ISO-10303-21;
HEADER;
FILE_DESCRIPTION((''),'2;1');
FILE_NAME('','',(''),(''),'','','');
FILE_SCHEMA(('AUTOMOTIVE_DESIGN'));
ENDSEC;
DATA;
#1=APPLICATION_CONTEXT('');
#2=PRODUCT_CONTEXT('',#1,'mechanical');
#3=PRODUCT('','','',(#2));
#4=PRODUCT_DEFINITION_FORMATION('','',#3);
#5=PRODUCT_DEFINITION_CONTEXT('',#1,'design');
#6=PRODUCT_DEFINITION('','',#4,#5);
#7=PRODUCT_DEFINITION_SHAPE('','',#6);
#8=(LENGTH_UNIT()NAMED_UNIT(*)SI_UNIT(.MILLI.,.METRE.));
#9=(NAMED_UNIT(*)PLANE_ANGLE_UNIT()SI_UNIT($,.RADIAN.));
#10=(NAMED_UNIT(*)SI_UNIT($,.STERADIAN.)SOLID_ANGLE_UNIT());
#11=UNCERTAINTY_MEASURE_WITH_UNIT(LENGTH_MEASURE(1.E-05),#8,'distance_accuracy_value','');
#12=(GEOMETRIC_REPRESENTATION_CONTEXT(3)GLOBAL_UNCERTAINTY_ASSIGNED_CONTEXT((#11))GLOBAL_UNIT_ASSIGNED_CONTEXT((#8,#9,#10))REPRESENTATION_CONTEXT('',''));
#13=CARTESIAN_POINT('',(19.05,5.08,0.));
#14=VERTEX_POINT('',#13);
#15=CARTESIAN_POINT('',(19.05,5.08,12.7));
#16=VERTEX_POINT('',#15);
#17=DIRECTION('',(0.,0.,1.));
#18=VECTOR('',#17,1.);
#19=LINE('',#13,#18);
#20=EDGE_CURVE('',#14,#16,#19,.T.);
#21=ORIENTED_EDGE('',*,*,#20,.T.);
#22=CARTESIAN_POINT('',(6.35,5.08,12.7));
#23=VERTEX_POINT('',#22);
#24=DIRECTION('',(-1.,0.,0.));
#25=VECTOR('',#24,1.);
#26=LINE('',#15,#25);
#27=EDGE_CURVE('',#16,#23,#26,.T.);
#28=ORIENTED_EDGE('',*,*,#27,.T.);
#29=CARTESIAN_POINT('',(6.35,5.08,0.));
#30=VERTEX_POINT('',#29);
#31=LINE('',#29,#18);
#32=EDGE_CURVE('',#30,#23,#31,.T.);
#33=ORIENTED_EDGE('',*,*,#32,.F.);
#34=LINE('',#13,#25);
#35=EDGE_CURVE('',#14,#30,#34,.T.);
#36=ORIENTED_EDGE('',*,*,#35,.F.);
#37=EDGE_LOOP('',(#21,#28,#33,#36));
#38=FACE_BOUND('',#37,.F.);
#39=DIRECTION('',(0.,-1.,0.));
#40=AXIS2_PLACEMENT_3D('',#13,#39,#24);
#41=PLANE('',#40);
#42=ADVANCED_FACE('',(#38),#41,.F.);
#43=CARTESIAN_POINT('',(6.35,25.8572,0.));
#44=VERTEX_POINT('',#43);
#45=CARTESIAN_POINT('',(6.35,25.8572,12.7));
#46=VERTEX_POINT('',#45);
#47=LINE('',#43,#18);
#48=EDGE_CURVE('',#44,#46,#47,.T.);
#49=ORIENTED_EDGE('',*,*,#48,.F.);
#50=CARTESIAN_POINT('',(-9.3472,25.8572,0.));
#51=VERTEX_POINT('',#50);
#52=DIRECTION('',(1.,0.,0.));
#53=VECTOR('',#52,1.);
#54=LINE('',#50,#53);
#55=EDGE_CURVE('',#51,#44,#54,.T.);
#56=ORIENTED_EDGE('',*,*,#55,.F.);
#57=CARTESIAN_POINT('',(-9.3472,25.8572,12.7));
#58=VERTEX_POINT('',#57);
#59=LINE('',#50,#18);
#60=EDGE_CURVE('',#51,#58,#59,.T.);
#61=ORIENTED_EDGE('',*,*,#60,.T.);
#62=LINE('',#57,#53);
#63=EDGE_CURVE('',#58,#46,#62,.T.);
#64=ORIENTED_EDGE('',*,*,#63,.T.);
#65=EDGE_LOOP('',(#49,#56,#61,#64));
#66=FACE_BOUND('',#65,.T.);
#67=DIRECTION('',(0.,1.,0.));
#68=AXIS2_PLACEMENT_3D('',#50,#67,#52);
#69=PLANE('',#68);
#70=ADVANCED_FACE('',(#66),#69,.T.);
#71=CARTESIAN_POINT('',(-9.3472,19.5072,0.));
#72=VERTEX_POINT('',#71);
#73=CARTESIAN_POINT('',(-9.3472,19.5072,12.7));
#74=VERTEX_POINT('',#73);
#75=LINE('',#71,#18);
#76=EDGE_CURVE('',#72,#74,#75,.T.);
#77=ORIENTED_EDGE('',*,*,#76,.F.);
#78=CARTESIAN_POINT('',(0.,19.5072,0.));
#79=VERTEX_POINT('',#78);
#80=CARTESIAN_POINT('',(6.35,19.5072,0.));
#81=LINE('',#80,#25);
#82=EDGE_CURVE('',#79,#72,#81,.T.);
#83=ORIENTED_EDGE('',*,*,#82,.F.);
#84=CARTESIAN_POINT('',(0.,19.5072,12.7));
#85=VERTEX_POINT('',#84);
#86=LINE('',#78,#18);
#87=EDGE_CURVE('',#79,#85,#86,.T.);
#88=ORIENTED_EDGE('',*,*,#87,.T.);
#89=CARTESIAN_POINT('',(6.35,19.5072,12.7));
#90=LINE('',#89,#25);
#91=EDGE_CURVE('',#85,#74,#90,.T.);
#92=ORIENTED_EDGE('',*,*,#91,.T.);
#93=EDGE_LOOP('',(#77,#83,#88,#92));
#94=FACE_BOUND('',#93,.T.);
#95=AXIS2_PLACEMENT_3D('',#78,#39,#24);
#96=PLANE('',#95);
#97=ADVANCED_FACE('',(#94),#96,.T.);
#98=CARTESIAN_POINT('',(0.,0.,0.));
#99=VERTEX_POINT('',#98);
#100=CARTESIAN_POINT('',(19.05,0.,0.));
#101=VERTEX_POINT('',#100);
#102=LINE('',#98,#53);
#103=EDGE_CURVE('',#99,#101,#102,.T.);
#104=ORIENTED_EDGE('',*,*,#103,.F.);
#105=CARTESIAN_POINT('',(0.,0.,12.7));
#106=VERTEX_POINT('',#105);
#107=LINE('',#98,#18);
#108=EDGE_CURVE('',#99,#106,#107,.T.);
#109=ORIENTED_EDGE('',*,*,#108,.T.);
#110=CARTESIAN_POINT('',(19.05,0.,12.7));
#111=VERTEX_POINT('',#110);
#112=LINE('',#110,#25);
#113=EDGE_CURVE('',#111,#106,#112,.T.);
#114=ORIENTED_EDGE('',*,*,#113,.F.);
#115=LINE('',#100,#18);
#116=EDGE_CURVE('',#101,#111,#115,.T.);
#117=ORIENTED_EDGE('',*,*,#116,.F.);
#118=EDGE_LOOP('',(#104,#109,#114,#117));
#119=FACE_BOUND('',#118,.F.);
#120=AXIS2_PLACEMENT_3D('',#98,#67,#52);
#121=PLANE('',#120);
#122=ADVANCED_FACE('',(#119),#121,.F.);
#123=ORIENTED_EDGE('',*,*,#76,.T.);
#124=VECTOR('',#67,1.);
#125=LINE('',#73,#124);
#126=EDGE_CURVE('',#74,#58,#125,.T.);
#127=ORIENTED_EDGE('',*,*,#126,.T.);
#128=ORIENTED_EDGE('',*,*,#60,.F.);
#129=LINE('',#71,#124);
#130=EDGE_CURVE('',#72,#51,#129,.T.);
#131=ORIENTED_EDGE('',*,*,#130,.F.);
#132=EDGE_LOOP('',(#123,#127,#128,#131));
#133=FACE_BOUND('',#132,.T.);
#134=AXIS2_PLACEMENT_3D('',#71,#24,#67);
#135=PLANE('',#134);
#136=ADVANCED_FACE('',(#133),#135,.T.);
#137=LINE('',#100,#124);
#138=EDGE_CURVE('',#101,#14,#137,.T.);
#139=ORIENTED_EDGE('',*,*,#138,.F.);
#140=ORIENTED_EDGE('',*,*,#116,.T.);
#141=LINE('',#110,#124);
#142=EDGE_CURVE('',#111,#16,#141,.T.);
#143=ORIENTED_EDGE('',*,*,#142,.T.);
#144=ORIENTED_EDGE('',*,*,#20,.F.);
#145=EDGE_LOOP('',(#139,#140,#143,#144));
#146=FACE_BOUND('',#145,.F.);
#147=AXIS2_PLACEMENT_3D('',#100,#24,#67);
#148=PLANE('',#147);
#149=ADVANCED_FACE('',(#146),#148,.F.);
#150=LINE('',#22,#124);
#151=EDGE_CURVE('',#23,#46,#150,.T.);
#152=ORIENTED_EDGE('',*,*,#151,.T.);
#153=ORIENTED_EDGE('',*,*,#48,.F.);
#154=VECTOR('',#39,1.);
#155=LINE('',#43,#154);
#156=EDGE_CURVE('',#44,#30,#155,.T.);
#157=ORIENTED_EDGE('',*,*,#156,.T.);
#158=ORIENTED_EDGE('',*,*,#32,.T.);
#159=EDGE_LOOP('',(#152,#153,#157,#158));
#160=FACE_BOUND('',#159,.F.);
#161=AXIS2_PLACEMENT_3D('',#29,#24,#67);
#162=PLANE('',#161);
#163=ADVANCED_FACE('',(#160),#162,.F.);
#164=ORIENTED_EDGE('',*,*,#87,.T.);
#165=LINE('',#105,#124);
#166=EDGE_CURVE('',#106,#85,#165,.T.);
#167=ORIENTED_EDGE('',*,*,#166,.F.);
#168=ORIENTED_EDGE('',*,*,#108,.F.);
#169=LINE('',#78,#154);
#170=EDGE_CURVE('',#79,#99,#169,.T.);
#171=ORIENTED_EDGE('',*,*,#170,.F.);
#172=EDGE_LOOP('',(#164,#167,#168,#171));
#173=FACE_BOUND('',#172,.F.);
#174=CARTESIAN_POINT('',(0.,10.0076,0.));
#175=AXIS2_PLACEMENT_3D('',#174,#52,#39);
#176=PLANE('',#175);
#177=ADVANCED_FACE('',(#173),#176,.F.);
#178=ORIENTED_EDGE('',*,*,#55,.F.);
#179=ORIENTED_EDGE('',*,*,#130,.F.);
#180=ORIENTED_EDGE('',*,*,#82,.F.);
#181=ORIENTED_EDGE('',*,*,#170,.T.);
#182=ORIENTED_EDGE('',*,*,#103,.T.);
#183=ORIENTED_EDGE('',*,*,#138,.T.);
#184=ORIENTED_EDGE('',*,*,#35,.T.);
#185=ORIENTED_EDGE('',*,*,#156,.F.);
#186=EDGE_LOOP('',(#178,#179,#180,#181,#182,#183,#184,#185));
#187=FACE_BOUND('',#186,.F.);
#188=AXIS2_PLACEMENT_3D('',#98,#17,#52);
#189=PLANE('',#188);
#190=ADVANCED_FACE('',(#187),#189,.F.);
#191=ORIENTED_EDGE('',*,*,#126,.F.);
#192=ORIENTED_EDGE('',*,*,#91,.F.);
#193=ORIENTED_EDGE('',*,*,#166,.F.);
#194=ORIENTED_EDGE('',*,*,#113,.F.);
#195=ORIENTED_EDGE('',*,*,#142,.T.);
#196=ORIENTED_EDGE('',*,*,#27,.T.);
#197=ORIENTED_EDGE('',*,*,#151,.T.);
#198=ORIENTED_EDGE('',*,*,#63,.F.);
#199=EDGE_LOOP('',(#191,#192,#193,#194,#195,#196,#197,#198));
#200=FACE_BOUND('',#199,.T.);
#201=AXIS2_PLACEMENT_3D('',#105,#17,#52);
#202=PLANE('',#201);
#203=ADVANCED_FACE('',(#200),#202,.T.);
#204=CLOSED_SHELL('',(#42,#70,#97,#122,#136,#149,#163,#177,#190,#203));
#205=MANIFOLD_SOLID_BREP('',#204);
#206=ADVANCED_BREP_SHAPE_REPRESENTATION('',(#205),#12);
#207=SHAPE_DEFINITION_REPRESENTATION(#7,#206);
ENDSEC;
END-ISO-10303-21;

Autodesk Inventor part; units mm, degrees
ref_plane "YZ Plane" through (0, 0, 0) normal (1, 0, 0) x (0, 1, 0)
ref_plane "XZ Plane" through (0, 0, 0) normal (0, 1, 0) x (-1, 0, 0)
ref_plane "XY Plane" through (0, 0, 0) normal (0, 0, 1) x (1, 0, 0)
sketch "Sketch1" plane through (0, 0, 0) normal (0, 0, 1) x (1, 0, 0)
  line L0 (0, 0) -> (6.35, 0)
  line L1 (6.35, 0) -> (6.35, 19.5072)
  line L2 (6.35, 19.5072) -> (0, 19.5072)
  line L3 (0, 19.5072) -> (0, 0)
  line L4 (0, 0) -> (6.35, 0)
  line L5 (6.35, 0) -> (6.35, 10.0076)
  line L6 (6.35, 10.0076) -> (0, 10.0076)
  line L7 (0, 10.0076) -> (0, 0)
  line L8 (6.35, 19.5072) -> (-9.3472, 19.5072)
  line L9 (-9.3472, 19.5072) -> (-9.3472, 25.8572)
  line L10 (-9.3472, 25.8572) -> (6.35, 25.8572)
  line L11 (6.35, 25.8572) -> (6.35, 19.5072)
  line L12 (6.35, 0) -> (19.05, 0)
  line L13 (19.05, 0) -> (19.05, 5.08)
  line L14 (19.05, 5.08) -> (6.35, 5.08)
  line L15 (6.35, 5.08) -> (6.35, 0)
  dimension "d0" = 6.35
  dimension "d1" = 19.5072
  dimension "d2" = 10.0076
  dimension "d3" = 15.6972
  dimension "d4" = 6.35
  dimension "d5" = 12.7
  dimension "d6" = 5.08
extrude "Extrusion1" add sketch "Sketch1" along normal blind 12.7
properties part number "potentiometer stand"
